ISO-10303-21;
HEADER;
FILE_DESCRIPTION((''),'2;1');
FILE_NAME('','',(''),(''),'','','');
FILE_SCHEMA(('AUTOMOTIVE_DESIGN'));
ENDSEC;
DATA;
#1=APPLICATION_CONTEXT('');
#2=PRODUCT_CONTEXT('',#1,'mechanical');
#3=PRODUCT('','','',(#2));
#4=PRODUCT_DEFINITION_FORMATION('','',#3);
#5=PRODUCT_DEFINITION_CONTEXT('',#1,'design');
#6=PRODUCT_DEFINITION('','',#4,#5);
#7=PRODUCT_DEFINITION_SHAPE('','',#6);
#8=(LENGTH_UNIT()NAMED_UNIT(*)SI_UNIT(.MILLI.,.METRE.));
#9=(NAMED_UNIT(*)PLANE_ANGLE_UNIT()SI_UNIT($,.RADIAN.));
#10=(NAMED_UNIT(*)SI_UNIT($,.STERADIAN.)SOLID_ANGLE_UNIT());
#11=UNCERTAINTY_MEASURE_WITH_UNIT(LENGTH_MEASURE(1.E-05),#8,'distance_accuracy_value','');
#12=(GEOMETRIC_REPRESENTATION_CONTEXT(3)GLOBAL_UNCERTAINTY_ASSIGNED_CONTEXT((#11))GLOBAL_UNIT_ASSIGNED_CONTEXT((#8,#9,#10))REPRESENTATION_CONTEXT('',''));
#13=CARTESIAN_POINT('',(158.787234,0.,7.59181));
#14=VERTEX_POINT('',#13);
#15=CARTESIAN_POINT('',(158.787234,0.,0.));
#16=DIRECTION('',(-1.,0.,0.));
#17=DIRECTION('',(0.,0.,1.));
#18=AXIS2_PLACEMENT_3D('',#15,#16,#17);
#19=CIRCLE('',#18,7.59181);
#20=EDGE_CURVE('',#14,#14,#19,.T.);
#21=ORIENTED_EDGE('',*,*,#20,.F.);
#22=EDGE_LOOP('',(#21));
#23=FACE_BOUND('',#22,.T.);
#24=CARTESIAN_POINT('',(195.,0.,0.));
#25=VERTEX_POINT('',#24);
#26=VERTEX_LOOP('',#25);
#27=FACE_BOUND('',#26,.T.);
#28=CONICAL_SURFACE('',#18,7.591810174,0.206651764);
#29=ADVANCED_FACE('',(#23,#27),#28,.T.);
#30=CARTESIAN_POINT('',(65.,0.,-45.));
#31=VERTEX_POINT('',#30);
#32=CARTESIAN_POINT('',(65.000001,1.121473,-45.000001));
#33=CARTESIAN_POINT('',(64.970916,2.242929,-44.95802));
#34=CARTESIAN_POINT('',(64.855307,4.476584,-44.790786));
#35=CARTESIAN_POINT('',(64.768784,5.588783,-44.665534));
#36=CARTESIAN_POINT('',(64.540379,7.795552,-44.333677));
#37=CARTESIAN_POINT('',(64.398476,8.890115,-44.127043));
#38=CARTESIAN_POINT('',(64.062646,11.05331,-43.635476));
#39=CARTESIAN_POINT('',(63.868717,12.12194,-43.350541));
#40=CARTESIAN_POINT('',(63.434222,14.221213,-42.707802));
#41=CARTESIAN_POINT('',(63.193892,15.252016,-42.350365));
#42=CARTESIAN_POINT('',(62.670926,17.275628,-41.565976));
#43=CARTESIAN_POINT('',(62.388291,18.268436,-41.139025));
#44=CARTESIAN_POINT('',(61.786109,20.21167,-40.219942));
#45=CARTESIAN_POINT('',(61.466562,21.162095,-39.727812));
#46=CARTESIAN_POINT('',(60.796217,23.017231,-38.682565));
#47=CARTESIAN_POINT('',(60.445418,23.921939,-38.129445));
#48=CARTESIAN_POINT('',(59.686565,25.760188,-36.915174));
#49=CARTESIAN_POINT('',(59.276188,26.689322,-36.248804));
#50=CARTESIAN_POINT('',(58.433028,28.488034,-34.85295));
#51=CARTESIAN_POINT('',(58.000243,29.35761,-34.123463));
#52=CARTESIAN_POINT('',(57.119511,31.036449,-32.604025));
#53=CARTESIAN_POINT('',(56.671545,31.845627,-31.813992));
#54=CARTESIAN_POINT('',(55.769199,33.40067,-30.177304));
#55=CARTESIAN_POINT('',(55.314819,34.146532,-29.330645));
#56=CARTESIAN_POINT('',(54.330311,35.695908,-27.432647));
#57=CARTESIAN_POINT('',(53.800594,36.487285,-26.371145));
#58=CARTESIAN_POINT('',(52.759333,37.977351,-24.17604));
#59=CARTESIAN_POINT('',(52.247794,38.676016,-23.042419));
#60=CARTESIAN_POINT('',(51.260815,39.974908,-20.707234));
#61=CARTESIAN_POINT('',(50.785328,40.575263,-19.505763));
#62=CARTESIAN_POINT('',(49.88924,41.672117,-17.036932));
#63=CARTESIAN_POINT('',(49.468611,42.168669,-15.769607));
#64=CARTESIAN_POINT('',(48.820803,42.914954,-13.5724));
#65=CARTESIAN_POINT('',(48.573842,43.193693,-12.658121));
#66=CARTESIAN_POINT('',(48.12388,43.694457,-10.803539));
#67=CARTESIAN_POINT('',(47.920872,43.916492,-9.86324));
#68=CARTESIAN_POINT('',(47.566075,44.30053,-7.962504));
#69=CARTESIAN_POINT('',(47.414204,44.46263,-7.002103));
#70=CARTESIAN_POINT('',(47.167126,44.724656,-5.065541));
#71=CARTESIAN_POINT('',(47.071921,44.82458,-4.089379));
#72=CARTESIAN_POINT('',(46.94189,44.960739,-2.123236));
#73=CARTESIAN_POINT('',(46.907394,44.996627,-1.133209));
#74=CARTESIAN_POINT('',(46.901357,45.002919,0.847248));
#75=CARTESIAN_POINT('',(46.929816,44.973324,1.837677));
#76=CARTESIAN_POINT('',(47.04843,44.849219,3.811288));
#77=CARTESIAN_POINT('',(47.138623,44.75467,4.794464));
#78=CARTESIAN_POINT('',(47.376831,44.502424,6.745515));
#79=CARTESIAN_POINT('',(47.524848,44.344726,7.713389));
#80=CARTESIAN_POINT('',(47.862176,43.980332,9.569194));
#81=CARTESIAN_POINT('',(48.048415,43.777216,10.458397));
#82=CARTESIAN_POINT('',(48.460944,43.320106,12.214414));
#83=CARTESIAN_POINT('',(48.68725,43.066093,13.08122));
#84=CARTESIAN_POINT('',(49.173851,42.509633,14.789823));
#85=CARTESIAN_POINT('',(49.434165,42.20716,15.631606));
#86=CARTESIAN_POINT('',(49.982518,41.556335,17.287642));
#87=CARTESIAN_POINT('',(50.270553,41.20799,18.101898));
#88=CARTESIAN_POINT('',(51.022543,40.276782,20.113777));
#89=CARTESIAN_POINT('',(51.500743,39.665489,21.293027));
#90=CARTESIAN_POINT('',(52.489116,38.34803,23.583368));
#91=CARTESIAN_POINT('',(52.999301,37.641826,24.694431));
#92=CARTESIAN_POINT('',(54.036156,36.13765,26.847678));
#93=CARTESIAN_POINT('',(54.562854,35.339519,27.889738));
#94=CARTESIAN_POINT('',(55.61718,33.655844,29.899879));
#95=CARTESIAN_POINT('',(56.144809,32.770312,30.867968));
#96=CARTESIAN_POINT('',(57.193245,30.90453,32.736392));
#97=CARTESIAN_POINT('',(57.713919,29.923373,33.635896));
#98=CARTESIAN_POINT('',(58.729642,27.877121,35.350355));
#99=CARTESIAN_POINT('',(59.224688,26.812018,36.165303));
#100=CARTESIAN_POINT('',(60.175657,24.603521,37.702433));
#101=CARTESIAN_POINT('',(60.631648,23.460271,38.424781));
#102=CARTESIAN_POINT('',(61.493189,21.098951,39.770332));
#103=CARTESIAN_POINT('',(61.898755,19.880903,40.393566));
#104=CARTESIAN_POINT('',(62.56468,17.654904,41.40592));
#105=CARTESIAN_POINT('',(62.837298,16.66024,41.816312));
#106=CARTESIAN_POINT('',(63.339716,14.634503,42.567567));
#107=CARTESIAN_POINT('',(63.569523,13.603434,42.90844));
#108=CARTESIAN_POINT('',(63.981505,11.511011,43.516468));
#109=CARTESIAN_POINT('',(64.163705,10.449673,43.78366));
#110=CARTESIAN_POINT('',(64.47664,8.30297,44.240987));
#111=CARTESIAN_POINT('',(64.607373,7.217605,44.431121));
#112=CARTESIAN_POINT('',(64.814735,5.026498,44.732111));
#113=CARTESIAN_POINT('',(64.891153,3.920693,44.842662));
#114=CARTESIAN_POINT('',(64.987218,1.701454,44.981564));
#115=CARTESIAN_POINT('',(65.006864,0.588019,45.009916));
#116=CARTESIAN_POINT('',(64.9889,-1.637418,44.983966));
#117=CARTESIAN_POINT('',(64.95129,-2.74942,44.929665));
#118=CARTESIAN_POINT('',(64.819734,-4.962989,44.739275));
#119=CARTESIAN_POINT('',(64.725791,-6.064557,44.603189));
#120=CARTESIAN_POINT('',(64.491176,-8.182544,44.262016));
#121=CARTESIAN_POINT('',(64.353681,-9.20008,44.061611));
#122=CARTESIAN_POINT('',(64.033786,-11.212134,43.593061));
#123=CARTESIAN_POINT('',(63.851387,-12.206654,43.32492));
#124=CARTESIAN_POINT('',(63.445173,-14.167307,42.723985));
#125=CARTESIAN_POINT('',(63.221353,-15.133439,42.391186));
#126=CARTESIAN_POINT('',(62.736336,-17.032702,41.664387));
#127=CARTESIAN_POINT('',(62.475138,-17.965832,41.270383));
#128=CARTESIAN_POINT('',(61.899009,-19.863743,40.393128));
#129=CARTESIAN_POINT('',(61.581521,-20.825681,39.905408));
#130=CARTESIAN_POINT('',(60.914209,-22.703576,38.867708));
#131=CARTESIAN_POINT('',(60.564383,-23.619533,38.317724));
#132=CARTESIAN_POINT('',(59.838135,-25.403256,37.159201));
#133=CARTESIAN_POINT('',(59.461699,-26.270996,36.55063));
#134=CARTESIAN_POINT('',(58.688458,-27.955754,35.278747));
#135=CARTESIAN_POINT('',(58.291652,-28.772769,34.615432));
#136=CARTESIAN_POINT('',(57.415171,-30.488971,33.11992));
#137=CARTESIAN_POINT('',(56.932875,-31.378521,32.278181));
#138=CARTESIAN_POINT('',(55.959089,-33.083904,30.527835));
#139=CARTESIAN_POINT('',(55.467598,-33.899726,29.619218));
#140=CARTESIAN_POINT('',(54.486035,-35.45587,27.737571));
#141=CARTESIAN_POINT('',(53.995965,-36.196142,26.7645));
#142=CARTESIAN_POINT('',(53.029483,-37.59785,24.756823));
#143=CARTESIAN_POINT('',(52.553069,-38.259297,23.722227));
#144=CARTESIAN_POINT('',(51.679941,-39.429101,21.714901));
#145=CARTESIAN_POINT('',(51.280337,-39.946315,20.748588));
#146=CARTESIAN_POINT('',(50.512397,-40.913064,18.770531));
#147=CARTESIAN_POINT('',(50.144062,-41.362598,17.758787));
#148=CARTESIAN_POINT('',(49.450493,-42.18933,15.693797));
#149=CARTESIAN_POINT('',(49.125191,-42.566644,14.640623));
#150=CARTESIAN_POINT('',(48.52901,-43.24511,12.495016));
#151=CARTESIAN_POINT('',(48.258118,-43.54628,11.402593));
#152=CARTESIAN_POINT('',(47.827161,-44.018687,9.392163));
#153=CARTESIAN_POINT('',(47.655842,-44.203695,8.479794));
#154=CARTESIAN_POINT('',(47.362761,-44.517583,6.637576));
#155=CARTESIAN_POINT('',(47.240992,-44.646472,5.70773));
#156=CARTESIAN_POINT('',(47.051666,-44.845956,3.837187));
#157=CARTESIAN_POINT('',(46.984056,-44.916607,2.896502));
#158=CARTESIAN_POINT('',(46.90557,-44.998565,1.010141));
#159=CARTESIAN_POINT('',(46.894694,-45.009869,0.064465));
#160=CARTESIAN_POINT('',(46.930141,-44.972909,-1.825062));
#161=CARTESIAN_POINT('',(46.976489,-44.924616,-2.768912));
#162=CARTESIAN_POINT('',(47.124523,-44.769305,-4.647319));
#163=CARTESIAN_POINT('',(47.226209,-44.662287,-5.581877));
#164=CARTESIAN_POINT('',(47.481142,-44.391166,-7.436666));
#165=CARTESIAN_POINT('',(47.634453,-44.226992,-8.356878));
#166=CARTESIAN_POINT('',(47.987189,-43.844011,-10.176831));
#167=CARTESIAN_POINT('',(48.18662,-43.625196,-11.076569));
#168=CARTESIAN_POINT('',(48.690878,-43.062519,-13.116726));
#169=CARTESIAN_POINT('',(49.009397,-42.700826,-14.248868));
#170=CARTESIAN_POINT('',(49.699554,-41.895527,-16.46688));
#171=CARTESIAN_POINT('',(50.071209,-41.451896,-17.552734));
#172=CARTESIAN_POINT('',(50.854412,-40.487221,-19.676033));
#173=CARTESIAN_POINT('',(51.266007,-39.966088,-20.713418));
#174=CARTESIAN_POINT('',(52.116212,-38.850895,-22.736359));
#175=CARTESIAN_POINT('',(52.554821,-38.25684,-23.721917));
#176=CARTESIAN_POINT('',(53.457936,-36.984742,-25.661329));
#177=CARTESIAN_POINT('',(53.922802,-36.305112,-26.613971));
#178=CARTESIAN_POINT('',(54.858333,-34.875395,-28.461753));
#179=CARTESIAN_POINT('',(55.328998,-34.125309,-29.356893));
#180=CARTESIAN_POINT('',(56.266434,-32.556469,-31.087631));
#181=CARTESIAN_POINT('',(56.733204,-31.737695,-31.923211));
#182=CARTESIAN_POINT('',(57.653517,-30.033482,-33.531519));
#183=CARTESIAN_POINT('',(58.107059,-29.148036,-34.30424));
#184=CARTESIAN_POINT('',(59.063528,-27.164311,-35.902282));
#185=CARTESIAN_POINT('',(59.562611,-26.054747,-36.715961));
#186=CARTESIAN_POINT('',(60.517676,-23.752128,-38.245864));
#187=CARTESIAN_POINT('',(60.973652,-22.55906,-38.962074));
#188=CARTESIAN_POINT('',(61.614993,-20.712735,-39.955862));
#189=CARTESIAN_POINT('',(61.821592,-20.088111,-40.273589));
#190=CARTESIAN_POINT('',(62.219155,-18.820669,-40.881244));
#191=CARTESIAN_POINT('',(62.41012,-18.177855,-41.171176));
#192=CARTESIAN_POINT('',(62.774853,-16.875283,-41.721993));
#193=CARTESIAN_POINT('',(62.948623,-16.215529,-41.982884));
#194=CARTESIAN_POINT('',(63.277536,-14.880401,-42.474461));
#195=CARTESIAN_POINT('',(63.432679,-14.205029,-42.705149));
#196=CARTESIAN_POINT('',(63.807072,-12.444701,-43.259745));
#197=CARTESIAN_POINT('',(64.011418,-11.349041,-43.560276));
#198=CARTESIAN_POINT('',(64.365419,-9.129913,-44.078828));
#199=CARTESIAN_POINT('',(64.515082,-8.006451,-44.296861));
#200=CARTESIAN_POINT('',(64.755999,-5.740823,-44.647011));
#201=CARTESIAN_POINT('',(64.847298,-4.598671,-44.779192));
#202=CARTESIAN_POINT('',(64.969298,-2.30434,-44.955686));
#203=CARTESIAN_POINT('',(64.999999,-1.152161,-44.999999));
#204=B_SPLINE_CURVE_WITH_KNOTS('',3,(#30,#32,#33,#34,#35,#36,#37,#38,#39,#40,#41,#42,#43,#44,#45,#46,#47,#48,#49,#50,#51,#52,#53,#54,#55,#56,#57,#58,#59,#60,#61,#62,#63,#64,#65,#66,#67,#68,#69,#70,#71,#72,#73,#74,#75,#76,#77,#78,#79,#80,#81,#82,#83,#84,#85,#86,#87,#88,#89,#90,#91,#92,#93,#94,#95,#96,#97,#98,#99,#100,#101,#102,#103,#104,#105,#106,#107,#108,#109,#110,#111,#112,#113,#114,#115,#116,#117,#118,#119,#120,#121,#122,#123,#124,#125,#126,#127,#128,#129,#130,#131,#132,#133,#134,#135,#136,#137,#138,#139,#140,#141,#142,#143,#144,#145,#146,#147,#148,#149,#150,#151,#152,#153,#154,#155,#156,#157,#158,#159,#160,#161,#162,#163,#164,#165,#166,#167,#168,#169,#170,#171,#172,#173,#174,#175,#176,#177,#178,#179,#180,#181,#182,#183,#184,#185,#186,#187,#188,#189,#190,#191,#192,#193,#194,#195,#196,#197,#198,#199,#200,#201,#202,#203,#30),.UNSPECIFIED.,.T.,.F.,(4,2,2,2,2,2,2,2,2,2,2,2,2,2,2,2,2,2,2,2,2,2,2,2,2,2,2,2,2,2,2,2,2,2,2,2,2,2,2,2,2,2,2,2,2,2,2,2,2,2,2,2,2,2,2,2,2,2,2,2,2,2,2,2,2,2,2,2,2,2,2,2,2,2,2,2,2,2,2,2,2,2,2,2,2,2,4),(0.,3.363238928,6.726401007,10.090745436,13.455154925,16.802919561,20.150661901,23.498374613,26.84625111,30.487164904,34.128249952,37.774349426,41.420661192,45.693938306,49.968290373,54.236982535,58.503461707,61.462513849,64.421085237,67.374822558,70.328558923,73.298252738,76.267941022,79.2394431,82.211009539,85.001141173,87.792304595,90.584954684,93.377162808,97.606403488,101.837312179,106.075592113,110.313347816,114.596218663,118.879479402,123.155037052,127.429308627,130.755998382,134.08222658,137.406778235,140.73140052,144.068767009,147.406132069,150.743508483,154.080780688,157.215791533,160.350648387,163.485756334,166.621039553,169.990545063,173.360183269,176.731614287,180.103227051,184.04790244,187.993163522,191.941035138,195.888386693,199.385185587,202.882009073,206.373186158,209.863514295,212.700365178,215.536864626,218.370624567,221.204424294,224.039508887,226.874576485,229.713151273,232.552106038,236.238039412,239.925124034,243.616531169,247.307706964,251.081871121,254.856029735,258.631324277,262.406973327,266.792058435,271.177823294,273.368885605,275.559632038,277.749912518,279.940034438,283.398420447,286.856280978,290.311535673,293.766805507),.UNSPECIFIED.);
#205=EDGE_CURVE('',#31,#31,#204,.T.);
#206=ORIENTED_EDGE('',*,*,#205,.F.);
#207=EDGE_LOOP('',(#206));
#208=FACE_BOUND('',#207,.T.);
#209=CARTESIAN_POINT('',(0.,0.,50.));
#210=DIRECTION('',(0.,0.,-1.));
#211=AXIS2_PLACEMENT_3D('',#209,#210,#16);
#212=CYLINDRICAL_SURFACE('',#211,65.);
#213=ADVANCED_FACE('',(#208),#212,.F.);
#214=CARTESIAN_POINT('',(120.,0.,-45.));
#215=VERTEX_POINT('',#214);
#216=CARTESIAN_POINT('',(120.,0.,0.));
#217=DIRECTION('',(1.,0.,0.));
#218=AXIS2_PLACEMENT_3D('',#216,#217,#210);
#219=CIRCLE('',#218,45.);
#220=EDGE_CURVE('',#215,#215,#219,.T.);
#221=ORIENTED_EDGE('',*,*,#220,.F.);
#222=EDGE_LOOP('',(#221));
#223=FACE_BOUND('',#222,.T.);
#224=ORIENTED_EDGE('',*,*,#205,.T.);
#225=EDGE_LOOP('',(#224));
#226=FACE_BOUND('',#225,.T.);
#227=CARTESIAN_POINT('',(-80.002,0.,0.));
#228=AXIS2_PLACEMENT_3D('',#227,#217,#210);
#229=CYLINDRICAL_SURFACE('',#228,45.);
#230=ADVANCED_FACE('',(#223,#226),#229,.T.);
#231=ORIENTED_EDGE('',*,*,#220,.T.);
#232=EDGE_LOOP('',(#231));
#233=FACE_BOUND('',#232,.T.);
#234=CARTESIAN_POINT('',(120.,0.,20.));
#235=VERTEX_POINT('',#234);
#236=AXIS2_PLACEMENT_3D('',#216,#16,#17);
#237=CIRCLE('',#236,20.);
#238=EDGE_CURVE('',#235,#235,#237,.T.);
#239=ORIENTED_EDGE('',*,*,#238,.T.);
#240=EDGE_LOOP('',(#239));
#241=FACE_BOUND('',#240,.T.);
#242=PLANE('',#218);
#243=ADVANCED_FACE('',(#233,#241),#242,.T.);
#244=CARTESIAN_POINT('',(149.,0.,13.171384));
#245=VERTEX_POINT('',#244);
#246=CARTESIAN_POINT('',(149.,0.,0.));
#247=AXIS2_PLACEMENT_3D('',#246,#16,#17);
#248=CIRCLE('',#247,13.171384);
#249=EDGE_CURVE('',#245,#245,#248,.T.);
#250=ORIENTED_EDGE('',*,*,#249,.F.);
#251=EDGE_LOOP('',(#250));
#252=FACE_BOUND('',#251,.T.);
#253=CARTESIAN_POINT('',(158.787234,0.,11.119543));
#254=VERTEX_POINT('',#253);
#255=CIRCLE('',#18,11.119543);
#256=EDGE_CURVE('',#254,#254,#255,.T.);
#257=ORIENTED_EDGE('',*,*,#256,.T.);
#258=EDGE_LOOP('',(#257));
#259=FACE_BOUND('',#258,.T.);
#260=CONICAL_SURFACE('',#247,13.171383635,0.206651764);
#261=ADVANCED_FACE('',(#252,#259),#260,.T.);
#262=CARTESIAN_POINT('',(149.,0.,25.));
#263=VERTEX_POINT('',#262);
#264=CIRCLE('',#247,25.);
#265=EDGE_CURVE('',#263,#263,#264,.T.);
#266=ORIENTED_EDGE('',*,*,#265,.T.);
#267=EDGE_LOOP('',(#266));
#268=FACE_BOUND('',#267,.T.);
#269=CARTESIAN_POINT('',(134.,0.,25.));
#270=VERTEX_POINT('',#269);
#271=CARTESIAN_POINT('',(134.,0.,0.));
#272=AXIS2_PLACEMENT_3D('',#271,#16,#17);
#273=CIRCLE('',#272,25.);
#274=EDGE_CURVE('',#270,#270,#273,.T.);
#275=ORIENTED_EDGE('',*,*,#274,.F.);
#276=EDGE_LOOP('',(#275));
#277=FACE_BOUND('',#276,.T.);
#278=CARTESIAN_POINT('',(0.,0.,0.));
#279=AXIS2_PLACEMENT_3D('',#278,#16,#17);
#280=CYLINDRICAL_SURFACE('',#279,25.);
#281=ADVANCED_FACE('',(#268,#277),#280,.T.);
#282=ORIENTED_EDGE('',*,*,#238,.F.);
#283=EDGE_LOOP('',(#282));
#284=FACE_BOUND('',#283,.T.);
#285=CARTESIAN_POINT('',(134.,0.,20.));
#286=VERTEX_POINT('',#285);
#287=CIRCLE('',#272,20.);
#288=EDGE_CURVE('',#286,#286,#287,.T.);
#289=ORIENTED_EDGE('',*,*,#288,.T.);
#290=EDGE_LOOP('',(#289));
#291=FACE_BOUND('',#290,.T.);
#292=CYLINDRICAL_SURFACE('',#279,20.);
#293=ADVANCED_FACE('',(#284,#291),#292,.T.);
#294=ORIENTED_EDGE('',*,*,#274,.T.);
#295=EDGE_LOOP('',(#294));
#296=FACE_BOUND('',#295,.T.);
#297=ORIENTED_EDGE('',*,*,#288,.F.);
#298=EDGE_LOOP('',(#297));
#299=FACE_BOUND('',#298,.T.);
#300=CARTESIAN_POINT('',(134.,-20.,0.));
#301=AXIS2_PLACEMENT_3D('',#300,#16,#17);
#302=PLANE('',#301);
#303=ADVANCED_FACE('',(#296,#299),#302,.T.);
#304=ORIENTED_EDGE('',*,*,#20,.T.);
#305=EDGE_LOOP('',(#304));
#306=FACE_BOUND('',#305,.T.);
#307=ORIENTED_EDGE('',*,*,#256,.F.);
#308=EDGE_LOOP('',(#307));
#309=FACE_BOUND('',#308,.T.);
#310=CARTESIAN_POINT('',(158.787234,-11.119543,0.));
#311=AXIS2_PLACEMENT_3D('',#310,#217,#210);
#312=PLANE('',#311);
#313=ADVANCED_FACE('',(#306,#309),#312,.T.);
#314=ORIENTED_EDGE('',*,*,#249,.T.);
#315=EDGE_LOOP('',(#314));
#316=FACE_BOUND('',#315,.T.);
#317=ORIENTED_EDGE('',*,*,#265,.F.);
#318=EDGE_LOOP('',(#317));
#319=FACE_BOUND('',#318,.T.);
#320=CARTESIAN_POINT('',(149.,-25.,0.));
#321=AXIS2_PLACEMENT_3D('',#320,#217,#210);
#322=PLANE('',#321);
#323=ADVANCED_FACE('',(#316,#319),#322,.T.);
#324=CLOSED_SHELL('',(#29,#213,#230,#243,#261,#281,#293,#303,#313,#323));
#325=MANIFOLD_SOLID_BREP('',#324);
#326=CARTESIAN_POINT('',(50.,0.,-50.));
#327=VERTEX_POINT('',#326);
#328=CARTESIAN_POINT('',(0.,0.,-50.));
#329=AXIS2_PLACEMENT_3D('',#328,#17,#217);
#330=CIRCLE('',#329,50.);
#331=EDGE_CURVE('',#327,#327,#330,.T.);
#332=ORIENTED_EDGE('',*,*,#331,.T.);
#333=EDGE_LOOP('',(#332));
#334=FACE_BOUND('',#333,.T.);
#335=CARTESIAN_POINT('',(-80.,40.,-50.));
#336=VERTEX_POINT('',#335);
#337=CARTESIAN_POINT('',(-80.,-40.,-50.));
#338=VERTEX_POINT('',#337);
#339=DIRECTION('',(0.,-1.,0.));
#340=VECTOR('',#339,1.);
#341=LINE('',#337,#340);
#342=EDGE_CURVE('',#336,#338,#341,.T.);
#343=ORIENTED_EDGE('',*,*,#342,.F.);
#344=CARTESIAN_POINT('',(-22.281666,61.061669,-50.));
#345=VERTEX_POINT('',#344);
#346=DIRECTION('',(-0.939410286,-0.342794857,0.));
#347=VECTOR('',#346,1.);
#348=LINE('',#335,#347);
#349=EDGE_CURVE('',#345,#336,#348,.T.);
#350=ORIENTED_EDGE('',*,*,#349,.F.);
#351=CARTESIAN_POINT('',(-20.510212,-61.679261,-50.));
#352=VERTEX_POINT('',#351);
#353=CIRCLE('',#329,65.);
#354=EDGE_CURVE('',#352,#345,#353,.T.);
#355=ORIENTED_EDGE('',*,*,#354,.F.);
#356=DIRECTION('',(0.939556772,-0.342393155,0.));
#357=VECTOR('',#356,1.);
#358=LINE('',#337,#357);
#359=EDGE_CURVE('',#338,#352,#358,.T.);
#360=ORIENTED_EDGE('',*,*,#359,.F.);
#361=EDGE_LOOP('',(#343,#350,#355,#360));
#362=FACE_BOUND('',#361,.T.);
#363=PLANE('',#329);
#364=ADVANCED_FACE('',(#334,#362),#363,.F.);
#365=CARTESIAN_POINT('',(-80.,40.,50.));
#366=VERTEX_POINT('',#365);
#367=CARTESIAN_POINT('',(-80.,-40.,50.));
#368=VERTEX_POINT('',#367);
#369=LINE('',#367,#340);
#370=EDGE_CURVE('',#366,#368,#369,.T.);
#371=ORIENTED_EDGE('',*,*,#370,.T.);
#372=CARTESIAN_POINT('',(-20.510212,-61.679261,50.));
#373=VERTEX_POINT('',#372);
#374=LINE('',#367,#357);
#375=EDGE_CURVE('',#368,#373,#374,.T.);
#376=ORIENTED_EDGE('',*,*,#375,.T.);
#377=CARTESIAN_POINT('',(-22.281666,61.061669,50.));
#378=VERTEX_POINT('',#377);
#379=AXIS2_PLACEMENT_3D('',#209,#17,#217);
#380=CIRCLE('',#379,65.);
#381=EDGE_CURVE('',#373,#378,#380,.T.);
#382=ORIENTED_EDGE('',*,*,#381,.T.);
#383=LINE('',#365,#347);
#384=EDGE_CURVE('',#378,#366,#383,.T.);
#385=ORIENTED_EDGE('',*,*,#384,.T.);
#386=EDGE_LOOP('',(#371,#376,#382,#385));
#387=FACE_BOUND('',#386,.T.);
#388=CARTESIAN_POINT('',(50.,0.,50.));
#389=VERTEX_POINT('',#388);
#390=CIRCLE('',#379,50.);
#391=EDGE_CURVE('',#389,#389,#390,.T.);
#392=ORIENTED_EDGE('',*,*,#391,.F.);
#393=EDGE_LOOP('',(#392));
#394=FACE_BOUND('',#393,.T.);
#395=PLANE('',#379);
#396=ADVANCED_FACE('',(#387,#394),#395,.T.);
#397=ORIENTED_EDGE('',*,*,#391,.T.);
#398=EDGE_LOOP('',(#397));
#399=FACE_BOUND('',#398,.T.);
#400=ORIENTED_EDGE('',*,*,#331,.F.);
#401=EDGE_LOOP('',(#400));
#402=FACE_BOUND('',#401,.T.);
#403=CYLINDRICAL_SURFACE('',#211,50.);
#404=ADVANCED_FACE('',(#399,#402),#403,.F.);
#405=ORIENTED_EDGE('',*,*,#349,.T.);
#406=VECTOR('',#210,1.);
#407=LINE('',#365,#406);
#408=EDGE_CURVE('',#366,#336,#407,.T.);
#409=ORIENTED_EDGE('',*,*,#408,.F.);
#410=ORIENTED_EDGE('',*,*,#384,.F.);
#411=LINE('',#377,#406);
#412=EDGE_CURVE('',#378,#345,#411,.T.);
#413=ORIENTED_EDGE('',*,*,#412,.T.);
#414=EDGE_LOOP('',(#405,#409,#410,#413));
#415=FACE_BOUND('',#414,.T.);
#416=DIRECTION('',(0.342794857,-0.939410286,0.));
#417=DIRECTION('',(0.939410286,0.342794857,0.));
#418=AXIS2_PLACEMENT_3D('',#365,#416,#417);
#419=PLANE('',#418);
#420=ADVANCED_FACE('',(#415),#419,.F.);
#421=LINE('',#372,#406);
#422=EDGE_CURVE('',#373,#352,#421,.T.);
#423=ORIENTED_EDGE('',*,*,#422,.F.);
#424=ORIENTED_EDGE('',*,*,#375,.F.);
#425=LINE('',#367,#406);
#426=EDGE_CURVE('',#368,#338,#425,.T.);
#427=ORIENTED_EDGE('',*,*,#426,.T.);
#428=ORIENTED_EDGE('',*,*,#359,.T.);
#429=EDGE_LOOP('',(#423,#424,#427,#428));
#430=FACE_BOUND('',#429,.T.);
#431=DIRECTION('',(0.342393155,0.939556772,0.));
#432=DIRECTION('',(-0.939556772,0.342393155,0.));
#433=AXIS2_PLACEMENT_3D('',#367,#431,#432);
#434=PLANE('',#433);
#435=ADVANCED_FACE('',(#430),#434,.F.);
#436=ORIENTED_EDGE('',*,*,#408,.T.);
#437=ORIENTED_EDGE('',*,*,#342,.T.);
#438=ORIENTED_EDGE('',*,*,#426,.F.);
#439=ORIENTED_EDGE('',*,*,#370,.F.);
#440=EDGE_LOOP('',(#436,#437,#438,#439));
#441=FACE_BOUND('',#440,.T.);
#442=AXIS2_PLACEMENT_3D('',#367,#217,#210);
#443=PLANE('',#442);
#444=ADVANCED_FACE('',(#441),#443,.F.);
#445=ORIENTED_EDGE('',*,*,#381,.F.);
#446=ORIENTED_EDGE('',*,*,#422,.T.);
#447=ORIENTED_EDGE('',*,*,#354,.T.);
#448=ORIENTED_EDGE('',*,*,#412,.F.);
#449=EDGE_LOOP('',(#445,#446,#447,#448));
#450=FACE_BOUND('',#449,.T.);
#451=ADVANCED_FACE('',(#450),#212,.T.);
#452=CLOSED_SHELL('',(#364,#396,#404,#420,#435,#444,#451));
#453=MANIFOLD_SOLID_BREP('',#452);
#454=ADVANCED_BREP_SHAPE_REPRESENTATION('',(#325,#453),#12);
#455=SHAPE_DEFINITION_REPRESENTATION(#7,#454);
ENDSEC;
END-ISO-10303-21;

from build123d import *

# Parameters (mm, degrees)
SKETCH1_R           = 50
BOSS_EXTRUDE1_DEPTH = 50
BOSS_EXTRUDE2_REACH = 202
SKETCH2_R           = 45


with BuildPart() as part:
    # Sketch1 → Boss-Extrude1 (new body, symmetric)
    with BuildSketch(Plane.XY):
        with BuildLine():
            Line((-80, -40), (-80, 40))
            Line((-80, 40), (-22.281665693, 61.061668614))
            ThreePointArc((-22.281665693, 61.061668614), (64.99323144, 0.938012287), (-20.510212, -61.679260726))
            Line((-20.510212, -61.679260726), (-80, -40))
        make_face()
        Circle(SKETCH1_R, mode=Mode.SUBTRACT)
    extrude(amount=BOSS_EXTRUDE1_DEPTH, both=True)


with BuildPart() as body_2:

    # Sketch2 → Boss-Extrude2 (new body, up to next)
    with BuildSketch(Plane(origin=(120, 0, 0), x_dir=(0, 0, -1), z_dir=(1, 0, 0)), mode=Mode.PRIVATE) as boss_extrude2_sk1:
        Circle(SKETCH2_R)
    boss_extrude2_tool1 = extrude(boss_extrude2_sk1.sketch, amount=-BOSS_EXTRUDE2_REACH, mode=Mode.PRIVATE) - part.part
    add(boss_extrude2_tool1.solids().sort_by_distance((120, 0, 0))[0])

    # Sketch3 → Revolve1 (revolve)
    with BuildSketch(Plane.XY):
        Polygon((120, 0), (120, -20), (134, -20), (134, -25), (149, -25), (149, -13.171383635), (158.787234043, -11.119543048), (158.787234043, -7.591810174), (195, 0), align=None)
    revolve(axis=Axis((0, 0, 0), (1, 0, 0)))


solid = Compound([part.part, body_2.part])
